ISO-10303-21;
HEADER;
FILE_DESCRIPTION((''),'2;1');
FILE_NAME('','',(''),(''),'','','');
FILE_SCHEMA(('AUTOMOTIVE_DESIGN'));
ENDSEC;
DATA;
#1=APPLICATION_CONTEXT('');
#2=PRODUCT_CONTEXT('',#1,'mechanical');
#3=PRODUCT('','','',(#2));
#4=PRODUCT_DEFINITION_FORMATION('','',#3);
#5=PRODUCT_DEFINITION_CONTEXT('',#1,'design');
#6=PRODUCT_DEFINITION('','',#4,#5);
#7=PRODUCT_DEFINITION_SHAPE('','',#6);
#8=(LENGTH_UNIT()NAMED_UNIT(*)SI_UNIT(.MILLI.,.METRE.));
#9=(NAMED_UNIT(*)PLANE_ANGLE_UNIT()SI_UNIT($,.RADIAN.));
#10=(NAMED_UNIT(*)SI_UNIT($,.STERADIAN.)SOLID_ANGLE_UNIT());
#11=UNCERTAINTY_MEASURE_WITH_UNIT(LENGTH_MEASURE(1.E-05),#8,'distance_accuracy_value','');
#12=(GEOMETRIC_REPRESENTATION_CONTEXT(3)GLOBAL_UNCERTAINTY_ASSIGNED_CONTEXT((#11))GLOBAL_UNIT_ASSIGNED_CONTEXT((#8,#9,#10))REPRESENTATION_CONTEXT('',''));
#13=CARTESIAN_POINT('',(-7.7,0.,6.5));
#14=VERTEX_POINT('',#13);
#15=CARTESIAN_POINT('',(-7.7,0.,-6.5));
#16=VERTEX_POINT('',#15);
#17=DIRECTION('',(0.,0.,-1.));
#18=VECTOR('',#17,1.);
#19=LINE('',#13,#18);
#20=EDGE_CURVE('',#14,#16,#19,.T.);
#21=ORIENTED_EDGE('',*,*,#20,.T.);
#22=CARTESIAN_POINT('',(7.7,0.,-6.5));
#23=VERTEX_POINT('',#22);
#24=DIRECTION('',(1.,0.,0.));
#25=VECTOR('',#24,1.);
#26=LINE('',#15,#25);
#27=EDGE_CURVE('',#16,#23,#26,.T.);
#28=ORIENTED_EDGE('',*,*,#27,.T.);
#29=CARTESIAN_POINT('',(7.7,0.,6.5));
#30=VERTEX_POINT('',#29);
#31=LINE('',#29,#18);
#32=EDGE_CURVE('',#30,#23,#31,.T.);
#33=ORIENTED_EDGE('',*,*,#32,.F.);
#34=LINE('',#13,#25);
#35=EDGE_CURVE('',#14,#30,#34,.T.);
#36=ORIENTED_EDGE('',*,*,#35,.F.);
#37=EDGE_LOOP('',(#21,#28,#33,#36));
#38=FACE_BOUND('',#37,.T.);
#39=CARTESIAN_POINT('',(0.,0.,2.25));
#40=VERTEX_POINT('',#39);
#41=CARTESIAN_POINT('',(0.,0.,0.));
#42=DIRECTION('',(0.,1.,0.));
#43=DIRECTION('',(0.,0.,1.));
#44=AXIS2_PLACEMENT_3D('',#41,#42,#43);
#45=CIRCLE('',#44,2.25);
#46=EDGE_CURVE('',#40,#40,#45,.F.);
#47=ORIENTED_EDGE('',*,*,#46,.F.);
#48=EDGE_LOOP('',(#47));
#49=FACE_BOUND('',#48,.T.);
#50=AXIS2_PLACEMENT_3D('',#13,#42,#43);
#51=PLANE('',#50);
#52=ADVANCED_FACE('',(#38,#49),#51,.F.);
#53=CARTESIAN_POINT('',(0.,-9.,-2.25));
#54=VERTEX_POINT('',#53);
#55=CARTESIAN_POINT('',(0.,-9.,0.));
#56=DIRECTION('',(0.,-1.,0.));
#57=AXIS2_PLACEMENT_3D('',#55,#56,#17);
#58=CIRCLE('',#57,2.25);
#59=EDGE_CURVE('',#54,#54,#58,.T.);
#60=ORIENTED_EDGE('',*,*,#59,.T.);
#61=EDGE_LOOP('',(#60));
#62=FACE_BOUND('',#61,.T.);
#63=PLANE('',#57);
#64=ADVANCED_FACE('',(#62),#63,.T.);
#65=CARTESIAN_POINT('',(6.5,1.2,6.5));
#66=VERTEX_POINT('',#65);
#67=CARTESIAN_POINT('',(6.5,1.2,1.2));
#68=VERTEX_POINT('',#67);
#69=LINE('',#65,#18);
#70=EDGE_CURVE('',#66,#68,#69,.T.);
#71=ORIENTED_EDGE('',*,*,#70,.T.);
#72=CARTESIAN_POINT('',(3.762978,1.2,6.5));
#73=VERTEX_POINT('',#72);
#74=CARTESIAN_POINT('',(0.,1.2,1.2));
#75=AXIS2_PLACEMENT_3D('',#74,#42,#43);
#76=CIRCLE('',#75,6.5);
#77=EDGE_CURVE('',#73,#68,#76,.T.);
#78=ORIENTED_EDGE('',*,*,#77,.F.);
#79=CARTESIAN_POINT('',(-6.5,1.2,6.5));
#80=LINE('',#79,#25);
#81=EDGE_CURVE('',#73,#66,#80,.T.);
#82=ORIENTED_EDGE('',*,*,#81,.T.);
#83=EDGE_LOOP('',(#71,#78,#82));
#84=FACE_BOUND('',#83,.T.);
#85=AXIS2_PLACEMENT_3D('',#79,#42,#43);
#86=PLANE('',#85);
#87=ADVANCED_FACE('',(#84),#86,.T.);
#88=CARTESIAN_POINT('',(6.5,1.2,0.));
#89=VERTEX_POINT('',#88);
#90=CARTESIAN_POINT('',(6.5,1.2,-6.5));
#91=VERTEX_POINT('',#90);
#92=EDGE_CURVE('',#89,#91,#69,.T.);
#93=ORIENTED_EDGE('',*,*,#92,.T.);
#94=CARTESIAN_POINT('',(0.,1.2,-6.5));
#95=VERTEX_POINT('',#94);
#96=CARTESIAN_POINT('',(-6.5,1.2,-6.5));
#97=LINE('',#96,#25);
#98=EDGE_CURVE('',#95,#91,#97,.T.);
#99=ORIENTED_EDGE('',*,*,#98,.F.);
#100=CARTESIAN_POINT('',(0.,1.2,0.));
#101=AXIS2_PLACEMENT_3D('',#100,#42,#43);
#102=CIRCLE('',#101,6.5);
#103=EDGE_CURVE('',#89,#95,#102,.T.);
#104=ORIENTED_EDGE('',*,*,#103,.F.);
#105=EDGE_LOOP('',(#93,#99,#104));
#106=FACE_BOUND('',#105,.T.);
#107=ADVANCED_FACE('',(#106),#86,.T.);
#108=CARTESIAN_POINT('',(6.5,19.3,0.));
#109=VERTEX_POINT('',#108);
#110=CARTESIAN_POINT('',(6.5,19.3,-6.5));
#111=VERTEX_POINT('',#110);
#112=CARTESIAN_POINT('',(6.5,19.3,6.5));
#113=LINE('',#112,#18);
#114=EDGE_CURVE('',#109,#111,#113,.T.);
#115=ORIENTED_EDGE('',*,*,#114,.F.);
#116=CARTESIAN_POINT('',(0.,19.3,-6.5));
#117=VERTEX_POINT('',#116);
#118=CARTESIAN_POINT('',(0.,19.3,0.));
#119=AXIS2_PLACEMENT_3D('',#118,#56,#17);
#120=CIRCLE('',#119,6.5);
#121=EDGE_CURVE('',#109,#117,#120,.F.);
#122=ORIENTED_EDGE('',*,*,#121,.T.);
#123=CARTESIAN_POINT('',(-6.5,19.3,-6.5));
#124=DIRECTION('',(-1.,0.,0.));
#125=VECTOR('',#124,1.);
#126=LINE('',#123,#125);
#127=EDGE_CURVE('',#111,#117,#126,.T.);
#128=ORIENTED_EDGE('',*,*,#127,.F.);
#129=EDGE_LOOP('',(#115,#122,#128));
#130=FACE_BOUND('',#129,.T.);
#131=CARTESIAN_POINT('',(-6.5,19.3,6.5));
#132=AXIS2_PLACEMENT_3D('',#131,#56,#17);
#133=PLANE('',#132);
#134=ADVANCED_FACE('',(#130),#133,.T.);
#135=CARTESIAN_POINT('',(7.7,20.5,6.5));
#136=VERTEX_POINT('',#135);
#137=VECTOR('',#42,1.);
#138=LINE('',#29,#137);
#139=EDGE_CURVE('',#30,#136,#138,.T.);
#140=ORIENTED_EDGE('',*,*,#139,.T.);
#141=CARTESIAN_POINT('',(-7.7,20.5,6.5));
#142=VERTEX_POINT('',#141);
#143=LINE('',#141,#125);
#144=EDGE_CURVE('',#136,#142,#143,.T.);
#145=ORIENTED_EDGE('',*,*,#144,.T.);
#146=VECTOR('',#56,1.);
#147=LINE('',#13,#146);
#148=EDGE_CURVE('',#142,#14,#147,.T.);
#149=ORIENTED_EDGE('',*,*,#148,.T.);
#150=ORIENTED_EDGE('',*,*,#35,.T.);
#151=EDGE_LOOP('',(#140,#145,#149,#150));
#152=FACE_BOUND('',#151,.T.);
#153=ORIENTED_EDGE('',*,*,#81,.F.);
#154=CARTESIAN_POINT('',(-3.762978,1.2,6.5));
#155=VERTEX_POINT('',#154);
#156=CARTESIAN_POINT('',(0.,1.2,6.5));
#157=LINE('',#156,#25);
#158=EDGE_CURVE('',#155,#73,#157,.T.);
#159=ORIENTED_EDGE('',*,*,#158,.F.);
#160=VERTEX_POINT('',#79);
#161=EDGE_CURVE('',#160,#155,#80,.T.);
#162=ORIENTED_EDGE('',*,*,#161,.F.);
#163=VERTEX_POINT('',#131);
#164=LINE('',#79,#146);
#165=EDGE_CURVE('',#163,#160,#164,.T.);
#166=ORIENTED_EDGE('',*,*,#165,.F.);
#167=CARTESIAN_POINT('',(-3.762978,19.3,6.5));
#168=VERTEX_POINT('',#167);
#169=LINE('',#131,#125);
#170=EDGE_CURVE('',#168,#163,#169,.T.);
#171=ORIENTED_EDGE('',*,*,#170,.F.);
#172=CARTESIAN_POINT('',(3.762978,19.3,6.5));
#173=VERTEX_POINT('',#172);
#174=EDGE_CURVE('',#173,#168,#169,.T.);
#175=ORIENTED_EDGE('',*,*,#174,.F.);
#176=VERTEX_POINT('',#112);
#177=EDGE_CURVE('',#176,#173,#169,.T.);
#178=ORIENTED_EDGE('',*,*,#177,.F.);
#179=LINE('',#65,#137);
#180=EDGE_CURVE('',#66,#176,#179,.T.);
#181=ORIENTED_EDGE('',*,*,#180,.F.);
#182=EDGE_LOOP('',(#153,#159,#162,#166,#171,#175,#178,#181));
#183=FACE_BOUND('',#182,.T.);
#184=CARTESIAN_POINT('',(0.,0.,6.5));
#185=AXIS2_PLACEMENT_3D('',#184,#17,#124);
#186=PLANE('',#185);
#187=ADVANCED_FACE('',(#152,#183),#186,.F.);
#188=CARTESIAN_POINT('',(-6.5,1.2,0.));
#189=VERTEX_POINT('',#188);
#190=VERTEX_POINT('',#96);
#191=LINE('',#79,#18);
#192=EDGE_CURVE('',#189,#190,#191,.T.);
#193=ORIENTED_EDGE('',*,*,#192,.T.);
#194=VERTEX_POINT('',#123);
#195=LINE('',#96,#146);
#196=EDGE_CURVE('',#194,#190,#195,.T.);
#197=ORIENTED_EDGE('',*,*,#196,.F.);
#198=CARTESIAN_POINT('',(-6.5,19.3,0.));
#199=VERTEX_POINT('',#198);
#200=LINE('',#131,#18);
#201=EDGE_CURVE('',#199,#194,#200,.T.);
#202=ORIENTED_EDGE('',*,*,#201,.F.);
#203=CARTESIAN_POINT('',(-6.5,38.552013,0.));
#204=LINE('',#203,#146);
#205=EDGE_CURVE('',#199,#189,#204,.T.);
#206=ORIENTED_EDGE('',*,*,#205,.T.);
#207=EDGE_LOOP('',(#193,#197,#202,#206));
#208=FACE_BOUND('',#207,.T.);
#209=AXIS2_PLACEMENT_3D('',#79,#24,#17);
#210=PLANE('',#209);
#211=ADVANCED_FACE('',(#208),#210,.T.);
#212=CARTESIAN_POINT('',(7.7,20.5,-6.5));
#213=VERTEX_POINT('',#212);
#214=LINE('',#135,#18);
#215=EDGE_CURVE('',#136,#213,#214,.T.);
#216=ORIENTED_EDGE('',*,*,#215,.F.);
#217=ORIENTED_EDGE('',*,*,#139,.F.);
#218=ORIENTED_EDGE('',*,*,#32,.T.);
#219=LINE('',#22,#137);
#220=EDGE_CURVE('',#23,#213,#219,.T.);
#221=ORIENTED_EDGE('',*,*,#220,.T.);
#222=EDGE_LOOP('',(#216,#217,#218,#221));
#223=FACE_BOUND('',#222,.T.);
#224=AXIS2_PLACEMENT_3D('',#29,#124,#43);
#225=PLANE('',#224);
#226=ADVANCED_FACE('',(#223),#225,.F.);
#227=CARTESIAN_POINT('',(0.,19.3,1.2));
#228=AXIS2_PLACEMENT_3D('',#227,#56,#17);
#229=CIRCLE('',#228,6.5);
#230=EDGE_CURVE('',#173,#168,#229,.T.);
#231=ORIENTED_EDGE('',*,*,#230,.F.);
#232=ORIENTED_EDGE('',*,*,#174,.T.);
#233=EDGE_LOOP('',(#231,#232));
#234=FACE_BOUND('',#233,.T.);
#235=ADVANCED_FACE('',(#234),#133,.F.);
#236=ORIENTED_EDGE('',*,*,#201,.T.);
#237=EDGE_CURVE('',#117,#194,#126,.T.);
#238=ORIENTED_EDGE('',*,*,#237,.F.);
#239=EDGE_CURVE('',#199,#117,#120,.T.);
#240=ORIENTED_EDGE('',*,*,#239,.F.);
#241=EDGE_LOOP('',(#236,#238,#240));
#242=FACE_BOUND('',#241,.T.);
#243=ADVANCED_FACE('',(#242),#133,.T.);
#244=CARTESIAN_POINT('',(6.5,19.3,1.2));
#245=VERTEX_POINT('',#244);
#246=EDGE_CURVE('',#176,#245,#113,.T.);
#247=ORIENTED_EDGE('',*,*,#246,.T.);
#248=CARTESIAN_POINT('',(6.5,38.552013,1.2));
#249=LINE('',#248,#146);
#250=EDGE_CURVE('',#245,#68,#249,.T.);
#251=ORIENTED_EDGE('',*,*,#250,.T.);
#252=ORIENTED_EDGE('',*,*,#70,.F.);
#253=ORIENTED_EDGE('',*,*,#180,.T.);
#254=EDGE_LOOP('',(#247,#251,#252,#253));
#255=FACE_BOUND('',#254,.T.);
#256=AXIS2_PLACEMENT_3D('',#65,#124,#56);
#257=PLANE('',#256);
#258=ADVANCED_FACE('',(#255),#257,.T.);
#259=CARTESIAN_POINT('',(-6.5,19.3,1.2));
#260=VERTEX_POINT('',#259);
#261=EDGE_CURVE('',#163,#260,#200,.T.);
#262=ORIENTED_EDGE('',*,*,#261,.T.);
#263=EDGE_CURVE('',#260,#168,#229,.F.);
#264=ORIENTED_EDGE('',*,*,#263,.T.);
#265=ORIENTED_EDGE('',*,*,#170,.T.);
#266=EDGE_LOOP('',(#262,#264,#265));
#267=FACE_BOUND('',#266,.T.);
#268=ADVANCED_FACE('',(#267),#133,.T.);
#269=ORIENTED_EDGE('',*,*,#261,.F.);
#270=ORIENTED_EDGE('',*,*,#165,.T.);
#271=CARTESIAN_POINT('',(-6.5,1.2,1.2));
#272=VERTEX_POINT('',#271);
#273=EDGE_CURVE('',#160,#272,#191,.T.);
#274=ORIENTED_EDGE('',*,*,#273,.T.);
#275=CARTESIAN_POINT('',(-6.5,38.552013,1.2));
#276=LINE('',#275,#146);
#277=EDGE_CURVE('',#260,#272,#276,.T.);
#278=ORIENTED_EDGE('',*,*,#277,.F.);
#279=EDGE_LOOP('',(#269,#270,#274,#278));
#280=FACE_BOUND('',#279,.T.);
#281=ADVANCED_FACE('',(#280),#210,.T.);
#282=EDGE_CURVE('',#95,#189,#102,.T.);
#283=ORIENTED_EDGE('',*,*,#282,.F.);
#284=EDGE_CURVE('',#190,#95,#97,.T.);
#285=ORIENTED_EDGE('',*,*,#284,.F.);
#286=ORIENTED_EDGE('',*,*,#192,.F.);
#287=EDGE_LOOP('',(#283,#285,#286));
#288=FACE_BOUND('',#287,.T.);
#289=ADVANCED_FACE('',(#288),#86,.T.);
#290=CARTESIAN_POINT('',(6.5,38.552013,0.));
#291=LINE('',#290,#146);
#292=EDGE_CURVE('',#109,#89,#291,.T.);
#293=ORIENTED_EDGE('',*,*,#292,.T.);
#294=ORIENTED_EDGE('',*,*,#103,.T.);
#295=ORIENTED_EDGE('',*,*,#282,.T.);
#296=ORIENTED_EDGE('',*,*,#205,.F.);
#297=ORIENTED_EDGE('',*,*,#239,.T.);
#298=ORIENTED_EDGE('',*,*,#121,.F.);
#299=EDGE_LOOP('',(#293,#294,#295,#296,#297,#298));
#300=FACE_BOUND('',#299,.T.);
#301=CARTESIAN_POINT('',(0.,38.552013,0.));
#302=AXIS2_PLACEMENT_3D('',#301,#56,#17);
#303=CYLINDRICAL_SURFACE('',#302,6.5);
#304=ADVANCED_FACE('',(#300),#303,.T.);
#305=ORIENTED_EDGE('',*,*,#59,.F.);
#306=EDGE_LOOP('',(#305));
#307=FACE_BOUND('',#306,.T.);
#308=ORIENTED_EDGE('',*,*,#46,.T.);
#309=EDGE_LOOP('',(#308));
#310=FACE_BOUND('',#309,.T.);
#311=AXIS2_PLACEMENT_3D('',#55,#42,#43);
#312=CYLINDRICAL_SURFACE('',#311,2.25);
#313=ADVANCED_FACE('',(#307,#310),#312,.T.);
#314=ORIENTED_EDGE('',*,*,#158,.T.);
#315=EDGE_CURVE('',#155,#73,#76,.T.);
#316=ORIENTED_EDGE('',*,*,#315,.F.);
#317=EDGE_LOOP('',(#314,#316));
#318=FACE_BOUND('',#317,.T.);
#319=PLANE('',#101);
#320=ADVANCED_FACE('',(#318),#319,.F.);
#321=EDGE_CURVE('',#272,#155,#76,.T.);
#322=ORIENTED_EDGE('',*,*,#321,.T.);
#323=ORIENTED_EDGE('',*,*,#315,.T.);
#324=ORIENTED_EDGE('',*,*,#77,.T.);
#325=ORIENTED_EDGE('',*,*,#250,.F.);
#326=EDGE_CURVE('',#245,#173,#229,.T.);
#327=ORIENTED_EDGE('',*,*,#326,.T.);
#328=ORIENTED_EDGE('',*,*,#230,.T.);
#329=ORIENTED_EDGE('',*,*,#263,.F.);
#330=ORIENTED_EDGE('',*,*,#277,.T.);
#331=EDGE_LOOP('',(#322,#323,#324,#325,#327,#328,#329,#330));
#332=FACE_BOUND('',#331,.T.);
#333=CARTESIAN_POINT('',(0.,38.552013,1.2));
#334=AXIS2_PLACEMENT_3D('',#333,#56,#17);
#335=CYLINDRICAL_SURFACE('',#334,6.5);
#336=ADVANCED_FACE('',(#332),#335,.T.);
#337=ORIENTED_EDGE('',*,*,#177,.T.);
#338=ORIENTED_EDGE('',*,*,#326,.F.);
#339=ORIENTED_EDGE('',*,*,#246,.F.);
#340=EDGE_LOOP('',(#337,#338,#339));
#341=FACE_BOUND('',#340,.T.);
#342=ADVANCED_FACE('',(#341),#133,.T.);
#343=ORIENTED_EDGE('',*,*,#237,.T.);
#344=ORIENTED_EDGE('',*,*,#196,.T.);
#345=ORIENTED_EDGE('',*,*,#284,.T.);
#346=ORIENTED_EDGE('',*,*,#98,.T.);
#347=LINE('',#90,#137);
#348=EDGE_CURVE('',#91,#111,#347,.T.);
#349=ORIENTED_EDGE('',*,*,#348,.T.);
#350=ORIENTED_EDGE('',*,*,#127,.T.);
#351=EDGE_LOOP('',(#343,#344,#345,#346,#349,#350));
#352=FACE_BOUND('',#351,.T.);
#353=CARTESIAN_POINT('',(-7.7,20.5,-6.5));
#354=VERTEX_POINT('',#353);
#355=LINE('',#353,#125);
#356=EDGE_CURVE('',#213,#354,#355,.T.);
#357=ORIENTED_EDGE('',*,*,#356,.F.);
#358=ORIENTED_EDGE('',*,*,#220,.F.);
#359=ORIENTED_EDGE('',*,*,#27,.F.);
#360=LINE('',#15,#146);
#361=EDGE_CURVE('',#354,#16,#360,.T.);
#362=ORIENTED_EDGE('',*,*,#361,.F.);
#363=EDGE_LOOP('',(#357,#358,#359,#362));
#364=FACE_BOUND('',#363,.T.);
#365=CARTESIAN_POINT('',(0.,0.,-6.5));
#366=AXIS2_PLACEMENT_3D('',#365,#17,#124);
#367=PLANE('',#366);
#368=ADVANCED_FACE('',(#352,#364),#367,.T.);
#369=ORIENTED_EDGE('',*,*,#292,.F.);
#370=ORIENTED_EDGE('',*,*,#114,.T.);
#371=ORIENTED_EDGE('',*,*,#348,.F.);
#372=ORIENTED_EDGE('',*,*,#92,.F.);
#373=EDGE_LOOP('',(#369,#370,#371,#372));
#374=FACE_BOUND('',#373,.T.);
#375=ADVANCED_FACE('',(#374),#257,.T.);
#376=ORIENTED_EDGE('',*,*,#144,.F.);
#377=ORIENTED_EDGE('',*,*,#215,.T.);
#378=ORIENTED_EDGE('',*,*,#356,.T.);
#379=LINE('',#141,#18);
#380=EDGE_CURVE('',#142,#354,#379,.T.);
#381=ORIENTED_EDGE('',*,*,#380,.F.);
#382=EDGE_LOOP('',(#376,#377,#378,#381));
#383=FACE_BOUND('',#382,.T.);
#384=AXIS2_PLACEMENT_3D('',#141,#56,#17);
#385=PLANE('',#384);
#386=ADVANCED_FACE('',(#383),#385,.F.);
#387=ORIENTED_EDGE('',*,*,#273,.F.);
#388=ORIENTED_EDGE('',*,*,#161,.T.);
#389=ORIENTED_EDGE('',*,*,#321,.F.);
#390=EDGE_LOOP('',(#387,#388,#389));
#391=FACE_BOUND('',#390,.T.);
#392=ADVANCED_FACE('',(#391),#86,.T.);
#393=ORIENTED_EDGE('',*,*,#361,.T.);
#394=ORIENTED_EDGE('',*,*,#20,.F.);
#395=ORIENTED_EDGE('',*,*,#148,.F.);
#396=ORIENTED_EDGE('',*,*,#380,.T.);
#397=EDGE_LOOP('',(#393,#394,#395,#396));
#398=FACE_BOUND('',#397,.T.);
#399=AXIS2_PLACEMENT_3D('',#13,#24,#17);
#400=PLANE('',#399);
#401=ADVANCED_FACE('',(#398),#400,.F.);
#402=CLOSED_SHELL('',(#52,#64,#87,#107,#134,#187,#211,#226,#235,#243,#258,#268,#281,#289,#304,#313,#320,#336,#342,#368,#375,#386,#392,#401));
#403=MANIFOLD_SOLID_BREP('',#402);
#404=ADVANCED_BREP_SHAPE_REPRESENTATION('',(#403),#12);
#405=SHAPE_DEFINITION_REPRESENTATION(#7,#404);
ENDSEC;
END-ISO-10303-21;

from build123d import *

# Parameters (mm, degrees)
ESQUISSE1_W        = 15.4
ESQUISSE1_H        = 20.5
ESQUISSE1_W_2      = 13
ESQUISSE1_H_2      = 18.1
BOSS_EXTRU_1_DEPTH = 6.5
ESQUISSE2_R        = 2.25
BOSS_EXTRU_2_DEPTH = 9
BOSS_EXTRU_3_DEPTH = 18.1


with BuildPart() as part:
    # Esquisse1 → Boss.-Extru.1 (new, symmetric)
    with BuildSketch(Plane.XY):
        with Locations((0, 10.25)):
            Rectangle(ESQUISSE1_W, ESQUISSE1_H)
        with Locations((0, 10.25)):
            Rectangle(ESQUISSE1_W_2, ESQUISSE1_H_2, mode=Mode.SUBTRACT)
    extrude(amount=BOSS_EXTRU_1_DEPTH, both=True)

    # Esquisse2 → Boss.-Extru.2 (add)
    with BuildSketch(Plane.XZ):
        with Locations(Location((0, 0, 0), (0, 0, 90))):
            Circle(ESQUISSE2_R)
    extrude(amount=BOSS_EXTRU_2_DEPTH)

    # Esquisse3 → Boss.-Extru.3 (add)
    with BuildSketch(Plane(origin=(0, 1.2, 0), x_dir=(1, 0, 0), z_dir=(0, 1, 0))):
        with BuildLine():
            Line((6.5, 0), (6.5, -1.2))
            ThreePointArc((6.5, -1.2), (0, -7.7), (-6.5, -1.2))
            Line((-6.5, -1.2), (-6.5, 0))
            ThreePointArc((-6.5, 0), (0, 6.5), (6.5, 0))
        make_face()
    extrude(amount=BOSS_EXTRU_3_DEPTH)


solid = part.part
